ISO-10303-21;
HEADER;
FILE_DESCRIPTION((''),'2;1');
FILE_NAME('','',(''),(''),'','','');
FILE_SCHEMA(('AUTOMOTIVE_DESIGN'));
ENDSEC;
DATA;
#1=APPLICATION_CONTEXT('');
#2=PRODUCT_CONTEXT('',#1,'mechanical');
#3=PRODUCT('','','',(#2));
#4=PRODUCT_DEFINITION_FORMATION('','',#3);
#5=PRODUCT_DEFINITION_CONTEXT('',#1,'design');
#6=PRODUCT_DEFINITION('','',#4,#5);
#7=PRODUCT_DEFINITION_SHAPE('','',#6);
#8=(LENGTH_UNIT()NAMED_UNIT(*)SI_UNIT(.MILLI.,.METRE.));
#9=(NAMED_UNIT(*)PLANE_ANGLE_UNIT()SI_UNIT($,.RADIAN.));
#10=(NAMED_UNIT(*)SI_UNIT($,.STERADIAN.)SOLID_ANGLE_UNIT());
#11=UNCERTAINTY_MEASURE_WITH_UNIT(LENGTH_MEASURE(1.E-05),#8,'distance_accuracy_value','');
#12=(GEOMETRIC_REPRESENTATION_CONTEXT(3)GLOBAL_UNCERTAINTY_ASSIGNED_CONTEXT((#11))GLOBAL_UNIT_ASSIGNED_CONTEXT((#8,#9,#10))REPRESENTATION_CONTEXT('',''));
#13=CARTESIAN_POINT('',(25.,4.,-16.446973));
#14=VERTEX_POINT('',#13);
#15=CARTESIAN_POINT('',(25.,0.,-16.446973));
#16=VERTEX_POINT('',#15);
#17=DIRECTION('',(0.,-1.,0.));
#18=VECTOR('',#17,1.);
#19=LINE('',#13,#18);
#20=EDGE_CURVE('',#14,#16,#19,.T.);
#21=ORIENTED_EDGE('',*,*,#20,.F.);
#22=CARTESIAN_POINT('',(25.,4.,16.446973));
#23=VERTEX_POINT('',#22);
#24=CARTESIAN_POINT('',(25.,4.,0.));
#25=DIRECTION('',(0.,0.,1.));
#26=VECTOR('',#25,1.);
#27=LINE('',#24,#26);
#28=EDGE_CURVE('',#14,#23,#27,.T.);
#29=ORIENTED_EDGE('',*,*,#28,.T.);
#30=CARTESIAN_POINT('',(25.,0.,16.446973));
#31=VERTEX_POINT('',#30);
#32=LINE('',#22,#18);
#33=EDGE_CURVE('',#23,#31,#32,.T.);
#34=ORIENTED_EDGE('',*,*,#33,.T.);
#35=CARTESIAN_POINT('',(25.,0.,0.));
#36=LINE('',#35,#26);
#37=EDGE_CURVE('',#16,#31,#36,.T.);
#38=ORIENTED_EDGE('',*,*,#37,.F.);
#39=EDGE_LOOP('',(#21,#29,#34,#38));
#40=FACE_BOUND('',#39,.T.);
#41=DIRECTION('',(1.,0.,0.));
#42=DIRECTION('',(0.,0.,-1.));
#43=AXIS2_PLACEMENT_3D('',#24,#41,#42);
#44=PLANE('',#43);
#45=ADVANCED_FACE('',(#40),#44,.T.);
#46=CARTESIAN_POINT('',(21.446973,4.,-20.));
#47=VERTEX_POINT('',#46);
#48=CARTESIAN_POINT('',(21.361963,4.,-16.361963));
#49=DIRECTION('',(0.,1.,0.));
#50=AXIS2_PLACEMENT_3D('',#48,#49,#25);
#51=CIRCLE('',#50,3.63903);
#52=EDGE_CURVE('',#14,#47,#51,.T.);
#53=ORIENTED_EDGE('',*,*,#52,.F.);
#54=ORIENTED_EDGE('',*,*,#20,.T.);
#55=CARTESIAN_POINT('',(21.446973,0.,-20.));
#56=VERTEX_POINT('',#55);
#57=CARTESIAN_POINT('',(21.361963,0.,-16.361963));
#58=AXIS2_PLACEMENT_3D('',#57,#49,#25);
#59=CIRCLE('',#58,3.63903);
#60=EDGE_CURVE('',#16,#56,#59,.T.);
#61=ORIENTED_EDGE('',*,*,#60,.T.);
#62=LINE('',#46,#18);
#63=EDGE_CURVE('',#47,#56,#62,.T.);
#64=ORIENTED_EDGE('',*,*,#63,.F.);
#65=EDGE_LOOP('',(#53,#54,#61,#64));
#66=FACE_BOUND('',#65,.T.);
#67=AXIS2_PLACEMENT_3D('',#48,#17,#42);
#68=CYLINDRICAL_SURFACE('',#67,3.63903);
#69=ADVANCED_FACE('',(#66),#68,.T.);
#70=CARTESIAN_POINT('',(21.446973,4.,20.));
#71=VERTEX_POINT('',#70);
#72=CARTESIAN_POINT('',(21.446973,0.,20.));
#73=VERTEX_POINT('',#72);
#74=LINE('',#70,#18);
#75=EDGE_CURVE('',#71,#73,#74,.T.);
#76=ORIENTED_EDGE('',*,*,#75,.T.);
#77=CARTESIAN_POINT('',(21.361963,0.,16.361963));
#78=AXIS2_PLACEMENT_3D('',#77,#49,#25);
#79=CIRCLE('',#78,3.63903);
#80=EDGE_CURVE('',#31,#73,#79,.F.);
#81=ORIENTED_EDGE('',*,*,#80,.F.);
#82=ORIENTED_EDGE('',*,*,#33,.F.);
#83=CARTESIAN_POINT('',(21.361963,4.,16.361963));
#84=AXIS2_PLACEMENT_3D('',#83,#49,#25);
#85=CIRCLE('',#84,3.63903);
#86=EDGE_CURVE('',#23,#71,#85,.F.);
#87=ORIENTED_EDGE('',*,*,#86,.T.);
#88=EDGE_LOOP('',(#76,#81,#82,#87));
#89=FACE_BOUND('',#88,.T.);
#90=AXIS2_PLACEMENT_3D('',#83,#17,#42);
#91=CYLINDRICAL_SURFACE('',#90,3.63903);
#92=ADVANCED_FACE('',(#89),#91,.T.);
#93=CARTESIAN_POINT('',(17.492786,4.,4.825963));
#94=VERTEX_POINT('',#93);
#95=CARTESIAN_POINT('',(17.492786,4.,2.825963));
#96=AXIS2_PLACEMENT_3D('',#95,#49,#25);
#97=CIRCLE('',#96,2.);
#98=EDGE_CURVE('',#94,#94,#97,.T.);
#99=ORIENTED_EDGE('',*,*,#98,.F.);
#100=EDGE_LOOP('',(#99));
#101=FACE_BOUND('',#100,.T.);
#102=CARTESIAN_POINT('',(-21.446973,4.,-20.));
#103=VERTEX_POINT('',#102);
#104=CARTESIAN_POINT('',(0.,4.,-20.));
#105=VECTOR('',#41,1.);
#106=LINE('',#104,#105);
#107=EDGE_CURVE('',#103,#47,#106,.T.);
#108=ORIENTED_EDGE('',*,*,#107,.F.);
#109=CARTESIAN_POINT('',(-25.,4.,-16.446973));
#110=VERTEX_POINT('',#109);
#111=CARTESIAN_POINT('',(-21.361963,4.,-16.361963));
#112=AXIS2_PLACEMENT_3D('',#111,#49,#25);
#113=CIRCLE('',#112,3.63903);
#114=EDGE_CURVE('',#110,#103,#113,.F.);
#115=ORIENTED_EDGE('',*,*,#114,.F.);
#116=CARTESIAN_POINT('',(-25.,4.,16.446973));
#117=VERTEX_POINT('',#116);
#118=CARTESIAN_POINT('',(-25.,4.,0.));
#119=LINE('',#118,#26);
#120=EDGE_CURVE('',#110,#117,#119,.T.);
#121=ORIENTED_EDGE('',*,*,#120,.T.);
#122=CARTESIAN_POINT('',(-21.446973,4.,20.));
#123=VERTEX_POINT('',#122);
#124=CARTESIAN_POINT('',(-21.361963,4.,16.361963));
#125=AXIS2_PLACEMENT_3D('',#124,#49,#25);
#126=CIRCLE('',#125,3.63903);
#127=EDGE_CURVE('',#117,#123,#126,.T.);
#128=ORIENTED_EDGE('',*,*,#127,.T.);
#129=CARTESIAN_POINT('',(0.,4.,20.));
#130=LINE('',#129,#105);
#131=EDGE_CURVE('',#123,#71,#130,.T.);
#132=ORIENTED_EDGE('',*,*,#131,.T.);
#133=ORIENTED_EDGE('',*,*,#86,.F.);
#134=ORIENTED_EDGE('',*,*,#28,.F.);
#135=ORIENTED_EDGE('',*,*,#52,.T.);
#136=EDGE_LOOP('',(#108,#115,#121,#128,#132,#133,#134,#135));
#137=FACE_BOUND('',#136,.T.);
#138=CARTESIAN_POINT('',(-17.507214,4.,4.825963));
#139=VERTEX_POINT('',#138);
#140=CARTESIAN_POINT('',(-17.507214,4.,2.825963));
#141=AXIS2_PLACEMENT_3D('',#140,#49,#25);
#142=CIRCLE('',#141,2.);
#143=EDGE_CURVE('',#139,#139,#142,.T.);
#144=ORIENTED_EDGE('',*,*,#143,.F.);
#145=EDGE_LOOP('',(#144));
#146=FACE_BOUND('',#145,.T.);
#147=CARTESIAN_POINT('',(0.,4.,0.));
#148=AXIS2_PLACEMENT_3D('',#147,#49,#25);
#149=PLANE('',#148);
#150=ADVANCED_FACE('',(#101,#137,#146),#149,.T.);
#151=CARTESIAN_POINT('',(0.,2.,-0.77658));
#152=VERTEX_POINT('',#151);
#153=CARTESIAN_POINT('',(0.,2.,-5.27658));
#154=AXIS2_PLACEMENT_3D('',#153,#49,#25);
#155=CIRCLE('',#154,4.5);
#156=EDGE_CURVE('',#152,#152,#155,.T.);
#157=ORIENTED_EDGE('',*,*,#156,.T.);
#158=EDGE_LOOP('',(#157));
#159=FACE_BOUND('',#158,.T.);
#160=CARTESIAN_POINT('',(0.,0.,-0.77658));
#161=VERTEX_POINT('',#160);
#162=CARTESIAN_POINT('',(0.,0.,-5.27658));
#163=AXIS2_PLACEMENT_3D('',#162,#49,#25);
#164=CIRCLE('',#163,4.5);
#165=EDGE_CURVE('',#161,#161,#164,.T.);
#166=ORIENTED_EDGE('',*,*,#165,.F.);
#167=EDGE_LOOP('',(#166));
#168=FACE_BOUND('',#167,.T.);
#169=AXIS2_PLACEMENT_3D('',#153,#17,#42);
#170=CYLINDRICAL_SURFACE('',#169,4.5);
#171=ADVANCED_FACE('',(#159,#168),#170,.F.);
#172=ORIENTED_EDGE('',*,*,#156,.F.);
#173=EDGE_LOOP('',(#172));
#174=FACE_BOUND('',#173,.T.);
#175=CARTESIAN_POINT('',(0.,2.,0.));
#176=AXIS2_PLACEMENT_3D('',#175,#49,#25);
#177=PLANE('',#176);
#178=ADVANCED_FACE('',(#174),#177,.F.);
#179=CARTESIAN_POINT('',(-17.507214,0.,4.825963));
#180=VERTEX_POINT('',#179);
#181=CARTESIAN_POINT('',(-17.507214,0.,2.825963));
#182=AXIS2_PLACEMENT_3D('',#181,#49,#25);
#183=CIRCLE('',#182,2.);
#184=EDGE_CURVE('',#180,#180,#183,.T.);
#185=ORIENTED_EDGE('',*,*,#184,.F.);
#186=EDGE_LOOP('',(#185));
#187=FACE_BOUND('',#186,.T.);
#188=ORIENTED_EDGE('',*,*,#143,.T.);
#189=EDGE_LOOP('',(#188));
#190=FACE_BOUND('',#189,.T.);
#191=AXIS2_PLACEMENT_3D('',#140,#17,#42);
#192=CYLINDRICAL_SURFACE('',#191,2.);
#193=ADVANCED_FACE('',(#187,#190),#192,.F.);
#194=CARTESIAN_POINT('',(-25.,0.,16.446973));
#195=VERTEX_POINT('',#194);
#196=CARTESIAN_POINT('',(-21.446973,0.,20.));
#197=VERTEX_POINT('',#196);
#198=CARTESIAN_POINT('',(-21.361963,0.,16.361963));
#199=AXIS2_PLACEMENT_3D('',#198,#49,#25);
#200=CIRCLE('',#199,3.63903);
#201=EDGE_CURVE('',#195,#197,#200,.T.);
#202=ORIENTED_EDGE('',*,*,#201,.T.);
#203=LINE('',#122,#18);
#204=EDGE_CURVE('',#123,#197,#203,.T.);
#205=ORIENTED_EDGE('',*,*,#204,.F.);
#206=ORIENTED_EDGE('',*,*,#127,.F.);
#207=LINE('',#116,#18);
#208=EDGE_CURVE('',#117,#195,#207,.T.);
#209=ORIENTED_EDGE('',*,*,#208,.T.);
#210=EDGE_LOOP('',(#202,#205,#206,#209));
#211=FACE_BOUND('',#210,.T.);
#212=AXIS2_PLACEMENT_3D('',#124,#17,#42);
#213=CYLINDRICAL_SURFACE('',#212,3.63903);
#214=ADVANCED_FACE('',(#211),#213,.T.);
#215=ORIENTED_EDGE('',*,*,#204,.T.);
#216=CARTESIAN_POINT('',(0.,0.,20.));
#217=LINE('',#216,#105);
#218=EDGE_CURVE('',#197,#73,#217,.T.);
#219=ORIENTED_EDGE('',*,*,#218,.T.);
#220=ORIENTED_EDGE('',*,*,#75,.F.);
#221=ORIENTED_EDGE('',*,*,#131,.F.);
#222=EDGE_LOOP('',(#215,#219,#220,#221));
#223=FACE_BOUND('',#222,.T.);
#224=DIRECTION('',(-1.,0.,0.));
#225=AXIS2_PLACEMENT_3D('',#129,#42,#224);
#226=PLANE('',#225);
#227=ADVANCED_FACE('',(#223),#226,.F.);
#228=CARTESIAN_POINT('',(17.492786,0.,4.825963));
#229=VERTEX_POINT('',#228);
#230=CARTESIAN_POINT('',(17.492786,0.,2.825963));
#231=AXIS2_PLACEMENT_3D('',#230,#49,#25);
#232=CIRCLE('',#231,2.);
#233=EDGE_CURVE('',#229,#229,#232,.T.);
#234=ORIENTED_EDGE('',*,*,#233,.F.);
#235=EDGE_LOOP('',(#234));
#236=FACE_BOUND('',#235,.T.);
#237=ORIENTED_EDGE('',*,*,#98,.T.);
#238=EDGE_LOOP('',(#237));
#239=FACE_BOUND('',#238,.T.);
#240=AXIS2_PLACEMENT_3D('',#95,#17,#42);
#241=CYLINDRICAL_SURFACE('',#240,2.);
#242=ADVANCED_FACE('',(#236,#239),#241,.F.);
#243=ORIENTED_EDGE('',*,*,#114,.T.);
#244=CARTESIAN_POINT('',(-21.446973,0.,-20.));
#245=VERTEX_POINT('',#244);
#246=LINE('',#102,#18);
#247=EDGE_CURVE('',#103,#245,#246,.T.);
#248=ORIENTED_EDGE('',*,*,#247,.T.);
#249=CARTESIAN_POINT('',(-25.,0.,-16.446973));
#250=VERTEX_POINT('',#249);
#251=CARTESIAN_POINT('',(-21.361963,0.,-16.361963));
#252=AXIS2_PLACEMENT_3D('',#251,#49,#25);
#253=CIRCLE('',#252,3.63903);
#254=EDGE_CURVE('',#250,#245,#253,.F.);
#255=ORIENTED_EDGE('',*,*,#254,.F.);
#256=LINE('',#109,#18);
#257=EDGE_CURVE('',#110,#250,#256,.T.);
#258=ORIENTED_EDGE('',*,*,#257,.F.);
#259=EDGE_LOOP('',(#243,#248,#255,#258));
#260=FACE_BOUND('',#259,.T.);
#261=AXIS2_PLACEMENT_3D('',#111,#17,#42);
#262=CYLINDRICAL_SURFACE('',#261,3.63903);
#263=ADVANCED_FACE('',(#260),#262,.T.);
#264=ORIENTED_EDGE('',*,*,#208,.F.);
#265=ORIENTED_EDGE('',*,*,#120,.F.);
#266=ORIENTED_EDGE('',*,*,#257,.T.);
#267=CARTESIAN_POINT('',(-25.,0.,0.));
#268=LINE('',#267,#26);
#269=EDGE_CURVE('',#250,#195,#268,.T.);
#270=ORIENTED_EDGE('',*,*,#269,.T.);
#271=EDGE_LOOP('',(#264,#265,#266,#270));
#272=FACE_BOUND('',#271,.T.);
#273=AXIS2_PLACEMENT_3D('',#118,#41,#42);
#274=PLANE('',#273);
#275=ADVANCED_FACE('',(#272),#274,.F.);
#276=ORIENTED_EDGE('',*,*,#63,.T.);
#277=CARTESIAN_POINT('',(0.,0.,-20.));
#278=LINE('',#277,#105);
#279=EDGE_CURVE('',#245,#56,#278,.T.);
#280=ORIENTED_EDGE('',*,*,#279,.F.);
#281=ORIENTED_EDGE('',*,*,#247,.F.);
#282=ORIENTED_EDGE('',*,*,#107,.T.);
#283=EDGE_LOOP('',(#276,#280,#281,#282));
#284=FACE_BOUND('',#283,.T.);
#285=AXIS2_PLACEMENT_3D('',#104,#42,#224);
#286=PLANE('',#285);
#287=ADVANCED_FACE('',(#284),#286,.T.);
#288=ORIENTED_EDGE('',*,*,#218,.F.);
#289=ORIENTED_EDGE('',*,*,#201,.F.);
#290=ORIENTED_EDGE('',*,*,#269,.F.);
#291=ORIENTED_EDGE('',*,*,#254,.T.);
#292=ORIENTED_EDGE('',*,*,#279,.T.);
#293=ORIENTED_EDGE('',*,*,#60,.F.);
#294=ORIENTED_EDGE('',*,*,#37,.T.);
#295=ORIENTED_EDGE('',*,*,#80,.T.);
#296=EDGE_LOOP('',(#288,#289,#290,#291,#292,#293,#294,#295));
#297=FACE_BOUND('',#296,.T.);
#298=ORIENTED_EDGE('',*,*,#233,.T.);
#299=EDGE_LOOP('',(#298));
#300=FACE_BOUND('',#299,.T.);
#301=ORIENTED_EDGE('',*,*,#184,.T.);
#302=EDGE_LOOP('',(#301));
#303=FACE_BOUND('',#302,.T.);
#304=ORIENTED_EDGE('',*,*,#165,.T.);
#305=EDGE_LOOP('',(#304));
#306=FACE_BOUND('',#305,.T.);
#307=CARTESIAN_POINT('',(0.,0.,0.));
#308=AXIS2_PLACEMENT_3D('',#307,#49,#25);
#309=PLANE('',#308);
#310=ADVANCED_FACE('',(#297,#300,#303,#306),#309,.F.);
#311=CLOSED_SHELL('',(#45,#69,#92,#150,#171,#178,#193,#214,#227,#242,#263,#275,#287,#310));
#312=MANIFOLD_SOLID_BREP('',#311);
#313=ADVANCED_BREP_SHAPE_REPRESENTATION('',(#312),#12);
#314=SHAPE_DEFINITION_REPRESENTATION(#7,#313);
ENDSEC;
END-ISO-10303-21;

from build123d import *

# Parameters (mm, degrees)
SKETCH1_R           = 2
BOSS_EXTRUDE2_DEPTH = 4
SKETCH1_8_R         = 4.5
CUT_EXTRUDE4_DEPTH  = 2


with BuildPart() as part:
    # Sketch1 → Boss-Extrude2 (new body)
    with BuildSketch(Plane(origin=(0, 0, 0), x_dir=(1, 0, 0), z_dir=(0, 1, 0))):
        with BuildLine():
            Line((21.446973136, 20), (-21.446973136, 20))
            ThreePointArc((-21.446973136, 20), (-23.935145745, 18.935145745), (-25, 16.446973136))
            Line((-25, 16.446973136), (-25, -16.446973136))
            ThreePointArc((-25, -16.446973136), (-23.935145745, -18.935145745), (-21.446973136, -20))
            Line((-21.446973136, -20), (21.446973136, -20))
            ThreePointArc((21.446973136, -20), (23.935145745, -18.935145745), (25, -16.446973136))
            Line((25, -16.446973136), (25, 16.446973136))
            ThreePointArc((25, 16.446973136), (23.935145745, 18.935145745), (21.446973136, 20))
        make_face()
        with Locations((-17.507214432, -2.825963154)):
            Circle(SKETCH1_R, mode=Mode.SUBTRACT)
        with Locations((17.492785568, -2.825963154)):
            Circle(SKETCH1_R, mode=Mode.SUBTRACT)
    extrude(amount=BOSS_EXTRUDE2_DEPTH)

    # Sketch1<8> → Cut-Extrude4 (cut)
    with BuildSketch(Plane(origin=(0, 0, 0), x_dir=(1, 0, 0), z_dir=(0, 1, 0))):
        with Locations((0, 5.276580282)):
            Circle(SKETCH1_8_R)
    extrude(amount=CUT_EXTRUDE4_DEPTH, mode=Mode.SUBTRACT)


solid = part.part
